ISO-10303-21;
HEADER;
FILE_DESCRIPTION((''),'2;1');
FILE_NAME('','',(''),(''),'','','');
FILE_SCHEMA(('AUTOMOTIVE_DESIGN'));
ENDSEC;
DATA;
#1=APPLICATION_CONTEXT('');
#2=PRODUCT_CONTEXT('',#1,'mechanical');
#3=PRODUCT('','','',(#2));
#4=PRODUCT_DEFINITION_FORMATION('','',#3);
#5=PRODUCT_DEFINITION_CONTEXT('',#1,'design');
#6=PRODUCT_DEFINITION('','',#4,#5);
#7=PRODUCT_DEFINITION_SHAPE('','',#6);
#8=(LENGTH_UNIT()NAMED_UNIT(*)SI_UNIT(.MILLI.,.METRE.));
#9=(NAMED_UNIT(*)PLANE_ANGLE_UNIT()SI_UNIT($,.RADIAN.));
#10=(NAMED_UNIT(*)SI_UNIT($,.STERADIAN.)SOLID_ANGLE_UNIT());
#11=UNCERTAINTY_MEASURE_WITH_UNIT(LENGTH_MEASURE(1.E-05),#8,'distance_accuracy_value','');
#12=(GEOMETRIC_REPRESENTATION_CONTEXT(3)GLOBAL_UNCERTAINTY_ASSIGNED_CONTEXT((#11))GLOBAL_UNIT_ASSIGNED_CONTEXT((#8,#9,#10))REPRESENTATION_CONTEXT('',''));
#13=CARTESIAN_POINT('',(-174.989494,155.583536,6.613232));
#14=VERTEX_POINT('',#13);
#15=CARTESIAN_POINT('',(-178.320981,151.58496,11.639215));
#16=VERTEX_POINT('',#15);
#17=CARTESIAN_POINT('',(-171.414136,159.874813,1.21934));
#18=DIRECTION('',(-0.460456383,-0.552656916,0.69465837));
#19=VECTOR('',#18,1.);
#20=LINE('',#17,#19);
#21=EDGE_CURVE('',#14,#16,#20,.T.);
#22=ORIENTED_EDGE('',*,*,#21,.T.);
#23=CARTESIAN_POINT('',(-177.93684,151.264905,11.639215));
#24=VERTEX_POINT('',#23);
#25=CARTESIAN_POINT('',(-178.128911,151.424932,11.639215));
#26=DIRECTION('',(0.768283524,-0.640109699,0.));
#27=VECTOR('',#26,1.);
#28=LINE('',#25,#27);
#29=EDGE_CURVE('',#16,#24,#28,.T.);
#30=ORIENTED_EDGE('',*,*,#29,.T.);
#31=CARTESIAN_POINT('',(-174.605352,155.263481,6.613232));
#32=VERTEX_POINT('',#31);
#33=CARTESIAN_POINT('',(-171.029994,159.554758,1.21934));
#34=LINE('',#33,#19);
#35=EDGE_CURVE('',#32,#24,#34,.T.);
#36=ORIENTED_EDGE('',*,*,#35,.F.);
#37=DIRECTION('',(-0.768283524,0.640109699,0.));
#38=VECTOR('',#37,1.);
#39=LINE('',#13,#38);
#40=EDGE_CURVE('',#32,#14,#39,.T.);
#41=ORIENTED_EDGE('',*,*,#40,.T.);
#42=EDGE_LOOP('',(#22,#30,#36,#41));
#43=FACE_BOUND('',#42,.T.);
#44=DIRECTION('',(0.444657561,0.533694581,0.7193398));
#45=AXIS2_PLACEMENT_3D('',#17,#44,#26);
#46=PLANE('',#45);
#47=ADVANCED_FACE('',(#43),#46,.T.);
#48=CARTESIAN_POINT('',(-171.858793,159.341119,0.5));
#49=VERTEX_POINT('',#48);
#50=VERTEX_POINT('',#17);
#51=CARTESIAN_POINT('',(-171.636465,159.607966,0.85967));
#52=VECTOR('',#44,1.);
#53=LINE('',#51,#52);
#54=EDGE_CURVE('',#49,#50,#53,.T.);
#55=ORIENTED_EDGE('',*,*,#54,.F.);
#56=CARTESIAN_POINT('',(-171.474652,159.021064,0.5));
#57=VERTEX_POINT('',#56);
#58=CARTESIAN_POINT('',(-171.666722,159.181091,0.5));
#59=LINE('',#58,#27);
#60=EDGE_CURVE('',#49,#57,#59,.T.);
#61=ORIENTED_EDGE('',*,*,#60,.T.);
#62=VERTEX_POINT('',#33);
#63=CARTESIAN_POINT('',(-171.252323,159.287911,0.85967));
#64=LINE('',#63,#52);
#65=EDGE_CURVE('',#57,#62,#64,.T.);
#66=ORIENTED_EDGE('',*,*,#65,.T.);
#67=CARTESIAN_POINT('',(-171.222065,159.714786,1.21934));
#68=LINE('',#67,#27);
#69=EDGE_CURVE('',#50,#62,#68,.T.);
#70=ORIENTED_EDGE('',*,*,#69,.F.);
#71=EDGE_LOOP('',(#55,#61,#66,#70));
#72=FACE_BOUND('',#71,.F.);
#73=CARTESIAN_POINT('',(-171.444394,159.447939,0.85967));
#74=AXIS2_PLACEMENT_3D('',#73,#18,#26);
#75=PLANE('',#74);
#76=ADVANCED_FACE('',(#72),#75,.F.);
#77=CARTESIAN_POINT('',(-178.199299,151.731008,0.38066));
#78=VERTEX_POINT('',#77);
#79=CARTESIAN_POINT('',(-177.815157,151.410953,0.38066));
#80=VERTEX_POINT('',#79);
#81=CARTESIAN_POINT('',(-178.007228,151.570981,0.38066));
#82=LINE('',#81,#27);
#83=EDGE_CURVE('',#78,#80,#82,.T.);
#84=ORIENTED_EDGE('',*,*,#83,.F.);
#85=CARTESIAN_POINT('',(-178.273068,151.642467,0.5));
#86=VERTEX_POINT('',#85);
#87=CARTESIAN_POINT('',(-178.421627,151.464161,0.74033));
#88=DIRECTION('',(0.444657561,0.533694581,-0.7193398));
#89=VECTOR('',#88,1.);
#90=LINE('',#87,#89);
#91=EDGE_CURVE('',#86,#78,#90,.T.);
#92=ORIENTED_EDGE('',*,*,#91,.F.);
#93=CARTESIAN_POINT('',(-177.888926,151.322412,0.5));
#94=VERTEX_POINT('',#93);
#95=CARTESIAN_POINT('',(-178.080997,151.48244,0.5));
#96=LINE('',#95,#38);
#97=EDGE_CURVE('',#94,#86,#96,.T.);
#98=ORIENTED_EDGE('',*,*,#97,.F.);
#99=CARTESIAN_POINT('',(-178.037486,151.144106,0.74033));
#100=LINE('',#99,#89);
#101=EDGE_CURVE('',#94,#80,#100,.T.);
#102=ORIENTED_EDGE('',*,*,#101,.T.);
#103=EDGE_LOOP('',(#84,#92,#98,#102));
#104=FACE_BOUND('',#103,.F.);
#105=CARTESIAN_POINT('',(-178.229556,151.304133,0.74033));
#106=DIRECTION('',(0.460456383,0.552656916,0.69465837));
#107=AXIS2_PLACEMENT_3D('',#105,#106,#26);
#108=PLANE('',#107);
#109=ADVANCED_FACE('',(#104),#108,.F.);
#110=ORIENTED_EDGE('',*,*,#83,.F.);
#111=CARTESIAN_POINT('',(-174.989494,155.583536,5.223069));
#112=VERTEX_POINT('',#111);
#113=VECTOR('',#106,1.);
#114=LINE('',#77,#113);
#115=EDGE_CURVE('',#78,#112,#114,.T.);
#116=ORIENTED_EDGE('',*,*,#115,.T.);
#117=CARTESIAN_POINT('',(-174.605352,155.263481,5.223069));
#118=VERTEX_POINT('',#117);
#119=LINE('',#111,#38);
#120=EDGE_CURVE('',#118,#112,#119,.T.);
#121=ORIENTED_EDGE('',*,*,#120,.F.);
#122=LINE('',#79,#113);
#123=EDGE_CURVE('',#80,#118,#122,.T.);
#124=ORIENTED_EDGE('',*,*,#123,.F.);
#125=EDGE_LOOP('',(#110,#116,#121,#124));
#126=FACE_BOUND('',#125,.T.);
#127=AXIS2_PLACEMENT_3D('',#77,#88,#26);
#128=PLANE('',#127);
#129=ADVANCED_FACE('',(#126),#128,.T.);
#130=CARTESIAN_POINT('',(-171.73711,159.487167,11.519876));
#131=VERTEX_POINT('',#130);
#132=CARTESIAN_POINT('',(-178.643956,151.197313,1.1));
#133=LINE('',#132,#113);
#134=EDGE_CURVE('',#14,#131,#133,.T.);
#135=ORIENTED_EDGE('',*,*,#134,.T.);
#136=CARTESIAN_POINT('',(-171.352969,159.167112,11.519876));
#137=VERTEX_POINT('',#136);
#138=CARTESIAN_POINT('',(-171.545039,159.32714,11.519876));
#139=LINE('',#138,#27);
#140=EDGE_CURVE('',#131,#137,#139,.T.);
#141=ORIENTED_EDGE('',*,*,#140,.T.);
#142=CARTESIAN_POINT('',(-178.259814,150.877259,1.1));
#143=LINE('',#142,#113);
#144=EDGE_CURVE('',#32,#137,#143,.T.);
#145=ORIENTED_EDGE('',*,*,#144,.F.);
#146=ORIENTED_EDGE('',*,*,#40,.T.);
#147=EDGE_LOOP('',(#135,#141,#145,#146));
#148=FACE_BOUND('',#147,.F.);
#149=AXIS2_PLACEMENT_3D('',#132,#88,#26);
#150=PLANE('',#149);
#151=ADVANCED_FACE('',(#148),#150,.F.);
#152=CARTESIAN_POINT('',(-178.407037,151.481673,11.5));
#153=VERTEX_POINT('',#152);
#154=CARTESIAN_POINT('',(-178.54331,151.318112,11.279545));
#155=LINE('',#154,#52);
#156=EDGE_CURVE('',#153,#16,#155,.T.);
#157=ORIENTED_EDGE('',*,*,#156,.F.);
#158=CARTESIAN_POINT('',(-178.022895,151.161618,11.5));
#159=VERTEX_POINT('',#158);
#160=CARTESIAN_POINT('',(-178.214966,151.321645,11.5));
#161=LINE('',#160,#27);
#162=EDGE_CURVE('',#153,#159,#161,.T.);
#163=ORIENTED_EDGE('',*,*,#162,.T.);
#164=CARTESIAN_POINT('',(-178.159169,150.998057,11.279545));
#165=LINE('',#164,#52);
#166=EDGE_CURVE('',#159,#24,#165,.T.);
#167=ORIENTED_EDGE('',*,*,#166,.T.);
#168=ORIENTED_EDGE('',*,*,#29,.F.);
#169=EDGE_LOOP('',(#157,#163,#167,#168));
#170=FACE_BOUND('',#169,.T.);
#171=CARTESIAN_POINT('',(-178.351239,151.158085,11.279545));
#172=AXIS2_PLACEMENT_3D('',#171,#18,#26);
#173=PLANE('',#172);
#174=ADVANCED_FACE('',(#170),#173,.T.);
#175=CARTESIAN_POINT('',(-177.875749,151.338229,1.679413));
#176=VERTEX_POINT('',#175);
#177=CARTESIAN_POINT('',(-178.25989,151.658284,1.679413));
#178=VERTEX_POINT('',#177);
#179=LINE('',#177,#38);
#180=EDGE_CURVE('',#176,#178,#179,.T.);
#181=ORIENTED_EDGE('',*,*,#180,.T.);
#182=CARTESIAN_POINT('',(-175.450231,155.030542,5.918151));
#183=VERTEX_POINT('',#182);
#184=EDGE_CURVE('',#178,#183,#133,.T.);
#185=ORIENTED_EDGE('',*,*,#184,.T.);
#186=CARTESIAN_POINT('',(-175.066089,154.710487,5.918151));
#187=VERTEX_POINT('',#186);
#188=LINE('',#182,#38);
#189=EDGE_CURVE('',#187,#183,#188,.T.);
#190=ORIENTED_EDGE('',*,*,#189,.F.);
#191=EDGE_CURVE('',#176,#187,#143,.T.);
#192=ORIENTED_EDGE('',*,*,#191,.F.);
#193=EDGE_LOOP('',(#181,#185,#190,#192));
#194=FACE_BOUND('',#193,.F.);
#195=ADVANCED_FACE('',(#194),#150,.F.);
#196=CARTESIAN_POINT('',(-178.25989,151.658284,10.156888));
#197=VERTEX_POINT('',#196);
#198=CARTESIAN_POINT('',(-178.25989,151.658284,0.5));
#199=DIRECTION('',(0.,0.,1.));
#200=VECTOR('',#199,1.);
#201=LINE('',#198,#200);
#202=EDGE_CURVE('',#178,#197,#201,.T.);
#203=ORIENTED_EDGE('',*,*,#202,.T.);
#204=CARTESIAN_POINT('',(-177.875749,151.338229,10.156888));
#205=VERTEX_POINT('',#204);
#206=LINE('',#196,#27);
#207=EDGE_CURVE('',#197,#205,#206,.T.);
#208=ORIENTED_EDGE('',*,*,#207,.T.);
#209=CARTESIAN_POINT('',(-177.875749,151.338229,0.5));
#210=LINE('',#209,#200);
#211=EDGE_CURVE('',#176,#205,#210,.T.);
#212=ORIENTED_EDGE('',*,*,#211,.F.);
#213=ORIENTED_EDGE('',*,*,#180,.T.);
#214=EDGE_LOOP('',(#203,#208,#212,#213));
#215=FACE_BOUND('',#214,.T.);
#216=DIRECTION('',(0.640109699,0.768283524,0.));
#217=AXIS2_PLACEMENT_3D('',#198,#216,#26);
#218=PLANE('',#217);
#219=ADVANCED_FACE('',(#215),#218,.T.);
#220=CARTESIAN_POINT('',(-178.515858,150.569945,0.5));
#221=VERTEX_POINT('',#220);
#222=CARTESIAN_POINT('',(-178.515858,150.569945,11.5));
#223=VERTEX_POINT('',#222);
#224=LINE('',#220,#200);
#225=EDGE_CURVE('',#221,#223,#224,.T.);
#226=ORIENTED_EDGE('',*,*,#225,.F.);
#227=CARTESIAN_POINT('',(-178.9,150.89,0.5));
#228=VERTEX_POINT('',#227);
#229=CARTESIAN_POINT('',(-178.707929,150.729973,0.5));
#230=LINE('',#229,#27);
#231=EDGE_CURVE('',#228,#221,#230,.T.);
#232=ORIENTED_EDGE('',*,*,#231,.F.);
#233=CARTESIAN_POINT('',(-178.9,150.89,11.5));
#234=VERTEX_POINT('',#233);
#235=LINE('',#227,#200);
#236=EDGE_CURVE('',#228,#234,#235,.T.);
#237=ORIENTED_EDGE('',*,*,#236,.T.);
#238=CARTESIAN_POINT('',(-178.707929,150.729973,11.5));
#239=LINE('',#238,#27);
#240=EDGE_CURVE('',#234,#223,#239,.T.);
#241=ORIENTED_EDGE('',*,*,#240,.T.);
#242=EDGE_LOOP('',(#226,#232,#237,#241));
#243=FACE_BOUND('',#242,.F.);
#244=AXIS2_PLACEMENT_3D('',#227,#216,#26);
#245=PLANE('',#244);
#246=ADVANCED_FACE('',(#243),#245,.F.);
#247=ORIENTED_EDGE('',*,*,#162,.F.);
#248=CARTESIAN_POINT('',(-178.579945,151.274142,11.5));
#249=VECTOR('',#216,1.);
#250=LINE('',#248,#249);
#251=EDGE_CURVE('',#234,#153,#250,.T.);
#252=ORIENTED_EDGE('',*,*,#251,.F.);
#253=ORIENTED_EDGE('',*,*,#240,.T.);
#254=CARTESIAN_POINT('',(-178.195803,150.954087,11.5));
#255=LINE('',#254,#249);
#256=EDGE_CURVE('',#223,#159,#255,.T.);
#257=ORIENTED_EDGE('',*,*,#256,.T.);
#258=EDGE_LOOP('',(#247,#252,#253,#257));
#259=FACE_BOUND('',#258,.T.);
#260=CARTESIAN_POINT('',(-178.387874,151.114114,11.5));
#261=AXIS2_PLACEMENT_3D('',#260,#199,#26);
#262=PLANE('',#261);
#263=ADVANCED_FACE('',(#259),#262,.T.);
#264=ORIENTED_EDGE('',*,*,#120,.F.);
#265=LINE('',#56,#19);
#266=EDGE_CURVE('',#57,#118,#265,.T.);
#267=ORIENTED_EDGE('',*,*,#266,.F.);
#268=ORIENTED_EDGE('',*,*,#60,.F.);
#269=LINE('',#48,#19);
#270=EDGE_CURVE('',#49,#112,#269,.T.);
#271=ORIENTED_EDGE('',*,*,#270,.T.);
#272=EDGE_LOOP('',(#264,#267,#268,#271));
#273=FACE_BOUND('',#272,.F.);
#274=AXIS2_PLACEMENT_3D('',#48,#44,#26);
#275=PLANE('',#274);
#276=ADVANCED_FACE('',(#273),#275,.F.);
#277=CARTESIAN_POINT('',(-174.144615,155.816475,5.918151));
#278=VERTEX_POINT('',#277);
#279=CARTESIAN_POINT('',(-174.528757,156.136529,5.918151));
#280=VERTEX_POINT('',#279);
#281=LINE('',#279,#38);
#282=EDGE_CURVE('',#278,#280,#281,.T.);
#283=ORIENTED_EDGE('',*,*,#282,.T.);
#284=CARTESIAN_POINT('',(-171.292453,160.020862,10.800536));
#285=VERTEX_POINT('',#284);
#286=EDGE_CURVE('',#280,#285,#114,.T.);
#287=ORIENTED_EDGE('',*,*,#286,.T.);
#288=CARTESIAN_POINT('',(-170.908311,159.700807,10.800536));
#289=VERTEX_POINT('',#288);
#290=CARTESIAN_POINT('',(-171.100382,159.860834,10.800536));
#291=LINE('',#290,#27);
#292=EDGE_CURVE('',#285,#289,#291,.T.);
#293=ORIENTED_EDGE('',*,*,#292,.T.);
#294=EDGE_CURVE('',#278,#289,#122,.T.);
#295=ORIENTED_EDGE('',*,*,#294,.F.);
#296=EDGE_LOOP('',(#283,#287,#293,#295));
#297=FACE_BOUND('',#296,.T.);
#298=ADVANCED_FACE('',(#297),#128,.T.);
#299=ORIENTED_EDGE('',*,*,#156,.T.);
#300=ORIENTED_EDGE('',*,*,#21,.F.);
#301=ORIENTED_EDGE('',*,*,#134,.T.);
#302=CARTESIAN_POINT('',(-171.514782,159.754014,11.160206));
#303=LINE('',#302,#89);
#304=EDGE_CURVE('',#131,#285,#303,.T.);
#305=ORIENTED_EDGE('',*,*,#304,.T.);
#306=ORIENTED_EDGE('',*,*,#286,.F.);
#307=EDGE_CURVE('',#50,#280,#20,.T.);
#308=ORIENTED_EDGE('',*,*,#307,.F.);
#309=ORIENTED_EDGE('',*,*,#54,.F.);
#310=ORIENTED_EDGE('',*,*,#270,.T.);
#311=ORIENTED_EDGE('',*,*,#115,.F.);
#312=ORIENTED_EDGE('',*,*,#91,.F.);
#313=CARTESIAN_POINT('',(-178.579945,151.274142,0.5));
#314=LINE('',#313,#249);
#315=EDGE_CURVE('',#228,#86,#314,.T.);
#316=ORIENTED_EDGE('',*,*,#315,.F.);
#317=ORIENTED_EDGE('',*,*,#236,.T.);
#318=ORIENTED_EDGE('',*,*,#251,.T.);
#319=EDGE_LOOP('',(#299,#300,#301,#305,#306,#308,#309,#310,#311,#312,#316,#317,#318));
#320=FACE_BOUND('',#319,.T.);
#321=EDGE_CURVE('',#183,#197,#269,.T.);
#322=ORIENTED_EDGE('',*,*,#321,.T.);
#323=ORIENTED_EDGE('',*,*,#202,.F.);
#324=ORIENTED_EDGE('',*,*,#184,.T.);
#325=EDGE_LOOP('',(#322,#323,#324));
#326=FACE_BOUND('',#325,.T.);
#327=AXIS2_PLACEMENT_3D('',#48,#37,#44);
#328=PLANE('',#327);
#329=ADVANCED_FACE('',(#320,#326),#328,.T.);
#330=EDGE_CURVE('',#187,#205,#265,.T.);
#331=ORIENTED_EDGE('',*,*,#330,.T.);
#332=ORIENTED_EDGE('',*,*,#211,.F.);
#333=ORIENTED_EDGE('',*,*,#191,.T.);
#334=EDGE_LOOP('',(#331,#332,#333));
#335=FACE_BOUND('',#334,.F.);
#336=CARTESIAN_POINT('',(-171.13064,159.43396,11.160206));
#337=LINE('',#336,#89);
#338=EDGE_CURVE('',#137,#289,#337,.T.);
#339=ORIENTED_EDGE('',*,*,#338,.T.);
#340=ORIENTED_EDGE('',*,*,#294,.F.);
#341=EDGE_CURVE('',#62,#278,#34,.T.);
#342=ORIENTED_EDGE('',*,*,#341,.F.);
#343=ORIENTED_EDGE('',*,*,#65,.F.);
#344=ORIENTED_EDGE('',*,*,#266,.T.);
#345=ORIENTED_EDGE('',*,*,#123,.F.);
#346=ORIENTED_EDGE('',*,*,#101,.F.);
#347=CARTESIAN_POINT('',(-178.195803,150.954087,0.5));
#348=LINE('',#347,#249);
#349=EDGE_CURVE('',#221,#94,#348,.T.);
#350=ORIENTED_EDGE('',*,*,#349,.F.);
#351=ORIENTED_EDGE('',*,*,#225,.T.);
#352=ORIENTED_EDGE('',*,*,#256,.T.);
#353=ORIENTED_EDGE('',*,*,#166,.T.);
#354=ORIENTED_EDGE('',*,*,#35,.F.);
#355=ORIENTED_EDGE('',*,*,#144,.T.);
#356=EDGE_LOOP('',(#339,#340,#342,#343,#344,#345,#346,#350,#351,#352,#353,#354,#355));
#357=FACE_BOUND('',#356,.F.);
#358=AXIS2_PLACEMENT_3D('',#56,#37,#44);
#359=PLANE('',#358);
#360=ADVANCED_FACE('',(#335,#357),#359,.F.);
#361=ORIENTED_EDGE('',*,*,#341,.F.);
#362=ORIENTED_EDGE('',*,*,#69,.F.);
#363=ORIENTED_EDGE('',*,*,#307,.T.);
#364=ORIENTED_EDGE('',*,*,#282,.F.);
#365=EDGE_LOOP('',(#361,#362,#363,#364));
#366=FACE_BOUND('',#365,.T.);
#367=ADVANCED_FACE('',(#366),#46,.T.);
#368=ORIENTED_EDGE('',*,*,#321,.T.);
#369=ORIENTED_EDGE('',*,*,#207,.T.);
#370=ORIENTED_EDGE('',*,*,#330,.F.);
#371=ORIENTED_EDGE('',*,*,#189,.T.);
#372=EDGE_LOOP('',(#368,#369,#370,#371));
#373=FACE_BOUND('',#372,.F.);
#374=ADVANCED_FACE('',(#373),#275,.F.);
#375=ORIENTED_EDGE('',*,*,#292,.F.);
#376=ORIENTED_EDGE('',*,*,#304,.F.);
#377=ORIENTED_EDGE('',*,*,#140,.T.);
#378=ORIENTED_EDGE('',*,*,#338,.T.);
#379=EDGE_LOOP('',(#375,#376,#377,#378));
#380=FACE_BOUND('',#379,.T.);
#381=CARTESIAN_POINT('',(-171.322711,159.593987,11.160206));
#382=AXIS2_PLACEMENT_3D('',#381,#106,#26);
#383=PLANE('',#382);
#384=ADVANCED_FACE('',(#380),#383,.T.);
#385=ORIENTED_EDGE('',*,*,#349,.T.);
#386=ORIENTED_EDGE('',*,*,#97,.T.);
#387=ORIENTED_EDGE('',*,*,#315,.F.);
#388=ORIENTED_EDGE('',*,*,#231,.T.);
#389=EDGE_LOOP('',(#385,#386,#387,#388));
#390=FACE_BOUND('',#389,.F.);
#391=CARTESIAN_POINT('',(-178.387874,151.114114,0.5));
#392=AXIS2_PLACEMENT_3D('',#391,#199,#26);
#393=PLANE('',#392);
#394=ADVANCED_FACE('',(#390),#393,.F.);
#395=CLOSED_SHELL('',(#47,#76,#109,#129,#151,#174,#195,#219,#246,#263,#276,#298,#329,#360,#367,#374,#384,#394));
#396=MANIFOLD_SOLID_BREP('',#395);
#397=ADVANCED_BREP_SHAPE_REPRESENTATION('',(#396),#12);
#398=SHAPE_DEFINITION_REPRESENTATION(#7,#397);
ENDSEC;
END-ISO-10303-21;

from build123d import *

# Parameters (mm, degrees)
BOX238_W                  = 0.5
BOX238_H                  = 1
BOX238_DEPTH              = 15
BOX238_ROLL_ANGLE         = 46
BOX239_W                  = 0.5
BOX239_H                  = 1
BOX239_DEPTH              = 15
BOX239_ROLL_ANGLE         = -46
BOX237_W                  = 0.5
BOX237_H                  = 1
BOX237_DEPTH              = 11
FUSION022_PLACEMENT_ANGLE = -39.8


with BuildPart() as cubo238:
    # Box238 → Box238 (new body)
    with BuildSketch(Plane.XY):
        with Locations((0.25, 0.5)):
            Rectangle(BOX238_W, BOX238_H)
    extrude(amount=BOX238_DEPTH)


with BuildPart() as cubo238_1:
    # Box238 roll: moved
    add(cubo238.part.rotate(Axis((0, 0, 0), (1, 0, 0)), BOX238_ROLL_ANGLE))


with BuildPart() as cubo238_2:
    # Box238 placement: moved
    add(cubo238_1.part.moved(Location((0, 11, 0.5))))


with BuildPart() as cubo239:
    # Box239 → Box239 (new body)
    with BuildSketch(Plane.XY):
        with Locations((0.25, 0.5)):
            Rectangle(BOX239_W, BOX239_H)
    extrude(amount=BOX239_DEPTH)


with BuildPart() as cubo239_1:
    # Box239 roll: moved
    add(cubo239.part.rotate(Axis((0, 0, 0), (1, 0, 0)), BOX239_ROLL_ANGLE))


with BuildPart() as cubo239_2:
    # Box239 placement: moved
    add(cubo239_1.part.moved(Location((0, 0.4, 1.1))))


with BuildPart() as fusion022:
    # Box237 → Box237 (new body)
    with BuildSketch(Plane.XY.offset(0.5)):
        with Locations((0.25, 0.5)):
            Rectangle(BOX237_W, BOX237_H)
    extrude(amount=BOX237_DEPTH)

    # Fusion022: union Cubo238, Cubo239
    add(cubo238_2.part)
    add(cubo239_2.part)


with BuildPart() as fusion022_1:
    # Fusion022 placement: moved
    add(fusion022.part.moved(Location((-178.9, 150.89, 0))).rotate(Axis((-178.9, 150.89, 0), (0, 0, 1)), FUSION022_PLACEMENT_ANGLE))


solid = fusion022_1.part
